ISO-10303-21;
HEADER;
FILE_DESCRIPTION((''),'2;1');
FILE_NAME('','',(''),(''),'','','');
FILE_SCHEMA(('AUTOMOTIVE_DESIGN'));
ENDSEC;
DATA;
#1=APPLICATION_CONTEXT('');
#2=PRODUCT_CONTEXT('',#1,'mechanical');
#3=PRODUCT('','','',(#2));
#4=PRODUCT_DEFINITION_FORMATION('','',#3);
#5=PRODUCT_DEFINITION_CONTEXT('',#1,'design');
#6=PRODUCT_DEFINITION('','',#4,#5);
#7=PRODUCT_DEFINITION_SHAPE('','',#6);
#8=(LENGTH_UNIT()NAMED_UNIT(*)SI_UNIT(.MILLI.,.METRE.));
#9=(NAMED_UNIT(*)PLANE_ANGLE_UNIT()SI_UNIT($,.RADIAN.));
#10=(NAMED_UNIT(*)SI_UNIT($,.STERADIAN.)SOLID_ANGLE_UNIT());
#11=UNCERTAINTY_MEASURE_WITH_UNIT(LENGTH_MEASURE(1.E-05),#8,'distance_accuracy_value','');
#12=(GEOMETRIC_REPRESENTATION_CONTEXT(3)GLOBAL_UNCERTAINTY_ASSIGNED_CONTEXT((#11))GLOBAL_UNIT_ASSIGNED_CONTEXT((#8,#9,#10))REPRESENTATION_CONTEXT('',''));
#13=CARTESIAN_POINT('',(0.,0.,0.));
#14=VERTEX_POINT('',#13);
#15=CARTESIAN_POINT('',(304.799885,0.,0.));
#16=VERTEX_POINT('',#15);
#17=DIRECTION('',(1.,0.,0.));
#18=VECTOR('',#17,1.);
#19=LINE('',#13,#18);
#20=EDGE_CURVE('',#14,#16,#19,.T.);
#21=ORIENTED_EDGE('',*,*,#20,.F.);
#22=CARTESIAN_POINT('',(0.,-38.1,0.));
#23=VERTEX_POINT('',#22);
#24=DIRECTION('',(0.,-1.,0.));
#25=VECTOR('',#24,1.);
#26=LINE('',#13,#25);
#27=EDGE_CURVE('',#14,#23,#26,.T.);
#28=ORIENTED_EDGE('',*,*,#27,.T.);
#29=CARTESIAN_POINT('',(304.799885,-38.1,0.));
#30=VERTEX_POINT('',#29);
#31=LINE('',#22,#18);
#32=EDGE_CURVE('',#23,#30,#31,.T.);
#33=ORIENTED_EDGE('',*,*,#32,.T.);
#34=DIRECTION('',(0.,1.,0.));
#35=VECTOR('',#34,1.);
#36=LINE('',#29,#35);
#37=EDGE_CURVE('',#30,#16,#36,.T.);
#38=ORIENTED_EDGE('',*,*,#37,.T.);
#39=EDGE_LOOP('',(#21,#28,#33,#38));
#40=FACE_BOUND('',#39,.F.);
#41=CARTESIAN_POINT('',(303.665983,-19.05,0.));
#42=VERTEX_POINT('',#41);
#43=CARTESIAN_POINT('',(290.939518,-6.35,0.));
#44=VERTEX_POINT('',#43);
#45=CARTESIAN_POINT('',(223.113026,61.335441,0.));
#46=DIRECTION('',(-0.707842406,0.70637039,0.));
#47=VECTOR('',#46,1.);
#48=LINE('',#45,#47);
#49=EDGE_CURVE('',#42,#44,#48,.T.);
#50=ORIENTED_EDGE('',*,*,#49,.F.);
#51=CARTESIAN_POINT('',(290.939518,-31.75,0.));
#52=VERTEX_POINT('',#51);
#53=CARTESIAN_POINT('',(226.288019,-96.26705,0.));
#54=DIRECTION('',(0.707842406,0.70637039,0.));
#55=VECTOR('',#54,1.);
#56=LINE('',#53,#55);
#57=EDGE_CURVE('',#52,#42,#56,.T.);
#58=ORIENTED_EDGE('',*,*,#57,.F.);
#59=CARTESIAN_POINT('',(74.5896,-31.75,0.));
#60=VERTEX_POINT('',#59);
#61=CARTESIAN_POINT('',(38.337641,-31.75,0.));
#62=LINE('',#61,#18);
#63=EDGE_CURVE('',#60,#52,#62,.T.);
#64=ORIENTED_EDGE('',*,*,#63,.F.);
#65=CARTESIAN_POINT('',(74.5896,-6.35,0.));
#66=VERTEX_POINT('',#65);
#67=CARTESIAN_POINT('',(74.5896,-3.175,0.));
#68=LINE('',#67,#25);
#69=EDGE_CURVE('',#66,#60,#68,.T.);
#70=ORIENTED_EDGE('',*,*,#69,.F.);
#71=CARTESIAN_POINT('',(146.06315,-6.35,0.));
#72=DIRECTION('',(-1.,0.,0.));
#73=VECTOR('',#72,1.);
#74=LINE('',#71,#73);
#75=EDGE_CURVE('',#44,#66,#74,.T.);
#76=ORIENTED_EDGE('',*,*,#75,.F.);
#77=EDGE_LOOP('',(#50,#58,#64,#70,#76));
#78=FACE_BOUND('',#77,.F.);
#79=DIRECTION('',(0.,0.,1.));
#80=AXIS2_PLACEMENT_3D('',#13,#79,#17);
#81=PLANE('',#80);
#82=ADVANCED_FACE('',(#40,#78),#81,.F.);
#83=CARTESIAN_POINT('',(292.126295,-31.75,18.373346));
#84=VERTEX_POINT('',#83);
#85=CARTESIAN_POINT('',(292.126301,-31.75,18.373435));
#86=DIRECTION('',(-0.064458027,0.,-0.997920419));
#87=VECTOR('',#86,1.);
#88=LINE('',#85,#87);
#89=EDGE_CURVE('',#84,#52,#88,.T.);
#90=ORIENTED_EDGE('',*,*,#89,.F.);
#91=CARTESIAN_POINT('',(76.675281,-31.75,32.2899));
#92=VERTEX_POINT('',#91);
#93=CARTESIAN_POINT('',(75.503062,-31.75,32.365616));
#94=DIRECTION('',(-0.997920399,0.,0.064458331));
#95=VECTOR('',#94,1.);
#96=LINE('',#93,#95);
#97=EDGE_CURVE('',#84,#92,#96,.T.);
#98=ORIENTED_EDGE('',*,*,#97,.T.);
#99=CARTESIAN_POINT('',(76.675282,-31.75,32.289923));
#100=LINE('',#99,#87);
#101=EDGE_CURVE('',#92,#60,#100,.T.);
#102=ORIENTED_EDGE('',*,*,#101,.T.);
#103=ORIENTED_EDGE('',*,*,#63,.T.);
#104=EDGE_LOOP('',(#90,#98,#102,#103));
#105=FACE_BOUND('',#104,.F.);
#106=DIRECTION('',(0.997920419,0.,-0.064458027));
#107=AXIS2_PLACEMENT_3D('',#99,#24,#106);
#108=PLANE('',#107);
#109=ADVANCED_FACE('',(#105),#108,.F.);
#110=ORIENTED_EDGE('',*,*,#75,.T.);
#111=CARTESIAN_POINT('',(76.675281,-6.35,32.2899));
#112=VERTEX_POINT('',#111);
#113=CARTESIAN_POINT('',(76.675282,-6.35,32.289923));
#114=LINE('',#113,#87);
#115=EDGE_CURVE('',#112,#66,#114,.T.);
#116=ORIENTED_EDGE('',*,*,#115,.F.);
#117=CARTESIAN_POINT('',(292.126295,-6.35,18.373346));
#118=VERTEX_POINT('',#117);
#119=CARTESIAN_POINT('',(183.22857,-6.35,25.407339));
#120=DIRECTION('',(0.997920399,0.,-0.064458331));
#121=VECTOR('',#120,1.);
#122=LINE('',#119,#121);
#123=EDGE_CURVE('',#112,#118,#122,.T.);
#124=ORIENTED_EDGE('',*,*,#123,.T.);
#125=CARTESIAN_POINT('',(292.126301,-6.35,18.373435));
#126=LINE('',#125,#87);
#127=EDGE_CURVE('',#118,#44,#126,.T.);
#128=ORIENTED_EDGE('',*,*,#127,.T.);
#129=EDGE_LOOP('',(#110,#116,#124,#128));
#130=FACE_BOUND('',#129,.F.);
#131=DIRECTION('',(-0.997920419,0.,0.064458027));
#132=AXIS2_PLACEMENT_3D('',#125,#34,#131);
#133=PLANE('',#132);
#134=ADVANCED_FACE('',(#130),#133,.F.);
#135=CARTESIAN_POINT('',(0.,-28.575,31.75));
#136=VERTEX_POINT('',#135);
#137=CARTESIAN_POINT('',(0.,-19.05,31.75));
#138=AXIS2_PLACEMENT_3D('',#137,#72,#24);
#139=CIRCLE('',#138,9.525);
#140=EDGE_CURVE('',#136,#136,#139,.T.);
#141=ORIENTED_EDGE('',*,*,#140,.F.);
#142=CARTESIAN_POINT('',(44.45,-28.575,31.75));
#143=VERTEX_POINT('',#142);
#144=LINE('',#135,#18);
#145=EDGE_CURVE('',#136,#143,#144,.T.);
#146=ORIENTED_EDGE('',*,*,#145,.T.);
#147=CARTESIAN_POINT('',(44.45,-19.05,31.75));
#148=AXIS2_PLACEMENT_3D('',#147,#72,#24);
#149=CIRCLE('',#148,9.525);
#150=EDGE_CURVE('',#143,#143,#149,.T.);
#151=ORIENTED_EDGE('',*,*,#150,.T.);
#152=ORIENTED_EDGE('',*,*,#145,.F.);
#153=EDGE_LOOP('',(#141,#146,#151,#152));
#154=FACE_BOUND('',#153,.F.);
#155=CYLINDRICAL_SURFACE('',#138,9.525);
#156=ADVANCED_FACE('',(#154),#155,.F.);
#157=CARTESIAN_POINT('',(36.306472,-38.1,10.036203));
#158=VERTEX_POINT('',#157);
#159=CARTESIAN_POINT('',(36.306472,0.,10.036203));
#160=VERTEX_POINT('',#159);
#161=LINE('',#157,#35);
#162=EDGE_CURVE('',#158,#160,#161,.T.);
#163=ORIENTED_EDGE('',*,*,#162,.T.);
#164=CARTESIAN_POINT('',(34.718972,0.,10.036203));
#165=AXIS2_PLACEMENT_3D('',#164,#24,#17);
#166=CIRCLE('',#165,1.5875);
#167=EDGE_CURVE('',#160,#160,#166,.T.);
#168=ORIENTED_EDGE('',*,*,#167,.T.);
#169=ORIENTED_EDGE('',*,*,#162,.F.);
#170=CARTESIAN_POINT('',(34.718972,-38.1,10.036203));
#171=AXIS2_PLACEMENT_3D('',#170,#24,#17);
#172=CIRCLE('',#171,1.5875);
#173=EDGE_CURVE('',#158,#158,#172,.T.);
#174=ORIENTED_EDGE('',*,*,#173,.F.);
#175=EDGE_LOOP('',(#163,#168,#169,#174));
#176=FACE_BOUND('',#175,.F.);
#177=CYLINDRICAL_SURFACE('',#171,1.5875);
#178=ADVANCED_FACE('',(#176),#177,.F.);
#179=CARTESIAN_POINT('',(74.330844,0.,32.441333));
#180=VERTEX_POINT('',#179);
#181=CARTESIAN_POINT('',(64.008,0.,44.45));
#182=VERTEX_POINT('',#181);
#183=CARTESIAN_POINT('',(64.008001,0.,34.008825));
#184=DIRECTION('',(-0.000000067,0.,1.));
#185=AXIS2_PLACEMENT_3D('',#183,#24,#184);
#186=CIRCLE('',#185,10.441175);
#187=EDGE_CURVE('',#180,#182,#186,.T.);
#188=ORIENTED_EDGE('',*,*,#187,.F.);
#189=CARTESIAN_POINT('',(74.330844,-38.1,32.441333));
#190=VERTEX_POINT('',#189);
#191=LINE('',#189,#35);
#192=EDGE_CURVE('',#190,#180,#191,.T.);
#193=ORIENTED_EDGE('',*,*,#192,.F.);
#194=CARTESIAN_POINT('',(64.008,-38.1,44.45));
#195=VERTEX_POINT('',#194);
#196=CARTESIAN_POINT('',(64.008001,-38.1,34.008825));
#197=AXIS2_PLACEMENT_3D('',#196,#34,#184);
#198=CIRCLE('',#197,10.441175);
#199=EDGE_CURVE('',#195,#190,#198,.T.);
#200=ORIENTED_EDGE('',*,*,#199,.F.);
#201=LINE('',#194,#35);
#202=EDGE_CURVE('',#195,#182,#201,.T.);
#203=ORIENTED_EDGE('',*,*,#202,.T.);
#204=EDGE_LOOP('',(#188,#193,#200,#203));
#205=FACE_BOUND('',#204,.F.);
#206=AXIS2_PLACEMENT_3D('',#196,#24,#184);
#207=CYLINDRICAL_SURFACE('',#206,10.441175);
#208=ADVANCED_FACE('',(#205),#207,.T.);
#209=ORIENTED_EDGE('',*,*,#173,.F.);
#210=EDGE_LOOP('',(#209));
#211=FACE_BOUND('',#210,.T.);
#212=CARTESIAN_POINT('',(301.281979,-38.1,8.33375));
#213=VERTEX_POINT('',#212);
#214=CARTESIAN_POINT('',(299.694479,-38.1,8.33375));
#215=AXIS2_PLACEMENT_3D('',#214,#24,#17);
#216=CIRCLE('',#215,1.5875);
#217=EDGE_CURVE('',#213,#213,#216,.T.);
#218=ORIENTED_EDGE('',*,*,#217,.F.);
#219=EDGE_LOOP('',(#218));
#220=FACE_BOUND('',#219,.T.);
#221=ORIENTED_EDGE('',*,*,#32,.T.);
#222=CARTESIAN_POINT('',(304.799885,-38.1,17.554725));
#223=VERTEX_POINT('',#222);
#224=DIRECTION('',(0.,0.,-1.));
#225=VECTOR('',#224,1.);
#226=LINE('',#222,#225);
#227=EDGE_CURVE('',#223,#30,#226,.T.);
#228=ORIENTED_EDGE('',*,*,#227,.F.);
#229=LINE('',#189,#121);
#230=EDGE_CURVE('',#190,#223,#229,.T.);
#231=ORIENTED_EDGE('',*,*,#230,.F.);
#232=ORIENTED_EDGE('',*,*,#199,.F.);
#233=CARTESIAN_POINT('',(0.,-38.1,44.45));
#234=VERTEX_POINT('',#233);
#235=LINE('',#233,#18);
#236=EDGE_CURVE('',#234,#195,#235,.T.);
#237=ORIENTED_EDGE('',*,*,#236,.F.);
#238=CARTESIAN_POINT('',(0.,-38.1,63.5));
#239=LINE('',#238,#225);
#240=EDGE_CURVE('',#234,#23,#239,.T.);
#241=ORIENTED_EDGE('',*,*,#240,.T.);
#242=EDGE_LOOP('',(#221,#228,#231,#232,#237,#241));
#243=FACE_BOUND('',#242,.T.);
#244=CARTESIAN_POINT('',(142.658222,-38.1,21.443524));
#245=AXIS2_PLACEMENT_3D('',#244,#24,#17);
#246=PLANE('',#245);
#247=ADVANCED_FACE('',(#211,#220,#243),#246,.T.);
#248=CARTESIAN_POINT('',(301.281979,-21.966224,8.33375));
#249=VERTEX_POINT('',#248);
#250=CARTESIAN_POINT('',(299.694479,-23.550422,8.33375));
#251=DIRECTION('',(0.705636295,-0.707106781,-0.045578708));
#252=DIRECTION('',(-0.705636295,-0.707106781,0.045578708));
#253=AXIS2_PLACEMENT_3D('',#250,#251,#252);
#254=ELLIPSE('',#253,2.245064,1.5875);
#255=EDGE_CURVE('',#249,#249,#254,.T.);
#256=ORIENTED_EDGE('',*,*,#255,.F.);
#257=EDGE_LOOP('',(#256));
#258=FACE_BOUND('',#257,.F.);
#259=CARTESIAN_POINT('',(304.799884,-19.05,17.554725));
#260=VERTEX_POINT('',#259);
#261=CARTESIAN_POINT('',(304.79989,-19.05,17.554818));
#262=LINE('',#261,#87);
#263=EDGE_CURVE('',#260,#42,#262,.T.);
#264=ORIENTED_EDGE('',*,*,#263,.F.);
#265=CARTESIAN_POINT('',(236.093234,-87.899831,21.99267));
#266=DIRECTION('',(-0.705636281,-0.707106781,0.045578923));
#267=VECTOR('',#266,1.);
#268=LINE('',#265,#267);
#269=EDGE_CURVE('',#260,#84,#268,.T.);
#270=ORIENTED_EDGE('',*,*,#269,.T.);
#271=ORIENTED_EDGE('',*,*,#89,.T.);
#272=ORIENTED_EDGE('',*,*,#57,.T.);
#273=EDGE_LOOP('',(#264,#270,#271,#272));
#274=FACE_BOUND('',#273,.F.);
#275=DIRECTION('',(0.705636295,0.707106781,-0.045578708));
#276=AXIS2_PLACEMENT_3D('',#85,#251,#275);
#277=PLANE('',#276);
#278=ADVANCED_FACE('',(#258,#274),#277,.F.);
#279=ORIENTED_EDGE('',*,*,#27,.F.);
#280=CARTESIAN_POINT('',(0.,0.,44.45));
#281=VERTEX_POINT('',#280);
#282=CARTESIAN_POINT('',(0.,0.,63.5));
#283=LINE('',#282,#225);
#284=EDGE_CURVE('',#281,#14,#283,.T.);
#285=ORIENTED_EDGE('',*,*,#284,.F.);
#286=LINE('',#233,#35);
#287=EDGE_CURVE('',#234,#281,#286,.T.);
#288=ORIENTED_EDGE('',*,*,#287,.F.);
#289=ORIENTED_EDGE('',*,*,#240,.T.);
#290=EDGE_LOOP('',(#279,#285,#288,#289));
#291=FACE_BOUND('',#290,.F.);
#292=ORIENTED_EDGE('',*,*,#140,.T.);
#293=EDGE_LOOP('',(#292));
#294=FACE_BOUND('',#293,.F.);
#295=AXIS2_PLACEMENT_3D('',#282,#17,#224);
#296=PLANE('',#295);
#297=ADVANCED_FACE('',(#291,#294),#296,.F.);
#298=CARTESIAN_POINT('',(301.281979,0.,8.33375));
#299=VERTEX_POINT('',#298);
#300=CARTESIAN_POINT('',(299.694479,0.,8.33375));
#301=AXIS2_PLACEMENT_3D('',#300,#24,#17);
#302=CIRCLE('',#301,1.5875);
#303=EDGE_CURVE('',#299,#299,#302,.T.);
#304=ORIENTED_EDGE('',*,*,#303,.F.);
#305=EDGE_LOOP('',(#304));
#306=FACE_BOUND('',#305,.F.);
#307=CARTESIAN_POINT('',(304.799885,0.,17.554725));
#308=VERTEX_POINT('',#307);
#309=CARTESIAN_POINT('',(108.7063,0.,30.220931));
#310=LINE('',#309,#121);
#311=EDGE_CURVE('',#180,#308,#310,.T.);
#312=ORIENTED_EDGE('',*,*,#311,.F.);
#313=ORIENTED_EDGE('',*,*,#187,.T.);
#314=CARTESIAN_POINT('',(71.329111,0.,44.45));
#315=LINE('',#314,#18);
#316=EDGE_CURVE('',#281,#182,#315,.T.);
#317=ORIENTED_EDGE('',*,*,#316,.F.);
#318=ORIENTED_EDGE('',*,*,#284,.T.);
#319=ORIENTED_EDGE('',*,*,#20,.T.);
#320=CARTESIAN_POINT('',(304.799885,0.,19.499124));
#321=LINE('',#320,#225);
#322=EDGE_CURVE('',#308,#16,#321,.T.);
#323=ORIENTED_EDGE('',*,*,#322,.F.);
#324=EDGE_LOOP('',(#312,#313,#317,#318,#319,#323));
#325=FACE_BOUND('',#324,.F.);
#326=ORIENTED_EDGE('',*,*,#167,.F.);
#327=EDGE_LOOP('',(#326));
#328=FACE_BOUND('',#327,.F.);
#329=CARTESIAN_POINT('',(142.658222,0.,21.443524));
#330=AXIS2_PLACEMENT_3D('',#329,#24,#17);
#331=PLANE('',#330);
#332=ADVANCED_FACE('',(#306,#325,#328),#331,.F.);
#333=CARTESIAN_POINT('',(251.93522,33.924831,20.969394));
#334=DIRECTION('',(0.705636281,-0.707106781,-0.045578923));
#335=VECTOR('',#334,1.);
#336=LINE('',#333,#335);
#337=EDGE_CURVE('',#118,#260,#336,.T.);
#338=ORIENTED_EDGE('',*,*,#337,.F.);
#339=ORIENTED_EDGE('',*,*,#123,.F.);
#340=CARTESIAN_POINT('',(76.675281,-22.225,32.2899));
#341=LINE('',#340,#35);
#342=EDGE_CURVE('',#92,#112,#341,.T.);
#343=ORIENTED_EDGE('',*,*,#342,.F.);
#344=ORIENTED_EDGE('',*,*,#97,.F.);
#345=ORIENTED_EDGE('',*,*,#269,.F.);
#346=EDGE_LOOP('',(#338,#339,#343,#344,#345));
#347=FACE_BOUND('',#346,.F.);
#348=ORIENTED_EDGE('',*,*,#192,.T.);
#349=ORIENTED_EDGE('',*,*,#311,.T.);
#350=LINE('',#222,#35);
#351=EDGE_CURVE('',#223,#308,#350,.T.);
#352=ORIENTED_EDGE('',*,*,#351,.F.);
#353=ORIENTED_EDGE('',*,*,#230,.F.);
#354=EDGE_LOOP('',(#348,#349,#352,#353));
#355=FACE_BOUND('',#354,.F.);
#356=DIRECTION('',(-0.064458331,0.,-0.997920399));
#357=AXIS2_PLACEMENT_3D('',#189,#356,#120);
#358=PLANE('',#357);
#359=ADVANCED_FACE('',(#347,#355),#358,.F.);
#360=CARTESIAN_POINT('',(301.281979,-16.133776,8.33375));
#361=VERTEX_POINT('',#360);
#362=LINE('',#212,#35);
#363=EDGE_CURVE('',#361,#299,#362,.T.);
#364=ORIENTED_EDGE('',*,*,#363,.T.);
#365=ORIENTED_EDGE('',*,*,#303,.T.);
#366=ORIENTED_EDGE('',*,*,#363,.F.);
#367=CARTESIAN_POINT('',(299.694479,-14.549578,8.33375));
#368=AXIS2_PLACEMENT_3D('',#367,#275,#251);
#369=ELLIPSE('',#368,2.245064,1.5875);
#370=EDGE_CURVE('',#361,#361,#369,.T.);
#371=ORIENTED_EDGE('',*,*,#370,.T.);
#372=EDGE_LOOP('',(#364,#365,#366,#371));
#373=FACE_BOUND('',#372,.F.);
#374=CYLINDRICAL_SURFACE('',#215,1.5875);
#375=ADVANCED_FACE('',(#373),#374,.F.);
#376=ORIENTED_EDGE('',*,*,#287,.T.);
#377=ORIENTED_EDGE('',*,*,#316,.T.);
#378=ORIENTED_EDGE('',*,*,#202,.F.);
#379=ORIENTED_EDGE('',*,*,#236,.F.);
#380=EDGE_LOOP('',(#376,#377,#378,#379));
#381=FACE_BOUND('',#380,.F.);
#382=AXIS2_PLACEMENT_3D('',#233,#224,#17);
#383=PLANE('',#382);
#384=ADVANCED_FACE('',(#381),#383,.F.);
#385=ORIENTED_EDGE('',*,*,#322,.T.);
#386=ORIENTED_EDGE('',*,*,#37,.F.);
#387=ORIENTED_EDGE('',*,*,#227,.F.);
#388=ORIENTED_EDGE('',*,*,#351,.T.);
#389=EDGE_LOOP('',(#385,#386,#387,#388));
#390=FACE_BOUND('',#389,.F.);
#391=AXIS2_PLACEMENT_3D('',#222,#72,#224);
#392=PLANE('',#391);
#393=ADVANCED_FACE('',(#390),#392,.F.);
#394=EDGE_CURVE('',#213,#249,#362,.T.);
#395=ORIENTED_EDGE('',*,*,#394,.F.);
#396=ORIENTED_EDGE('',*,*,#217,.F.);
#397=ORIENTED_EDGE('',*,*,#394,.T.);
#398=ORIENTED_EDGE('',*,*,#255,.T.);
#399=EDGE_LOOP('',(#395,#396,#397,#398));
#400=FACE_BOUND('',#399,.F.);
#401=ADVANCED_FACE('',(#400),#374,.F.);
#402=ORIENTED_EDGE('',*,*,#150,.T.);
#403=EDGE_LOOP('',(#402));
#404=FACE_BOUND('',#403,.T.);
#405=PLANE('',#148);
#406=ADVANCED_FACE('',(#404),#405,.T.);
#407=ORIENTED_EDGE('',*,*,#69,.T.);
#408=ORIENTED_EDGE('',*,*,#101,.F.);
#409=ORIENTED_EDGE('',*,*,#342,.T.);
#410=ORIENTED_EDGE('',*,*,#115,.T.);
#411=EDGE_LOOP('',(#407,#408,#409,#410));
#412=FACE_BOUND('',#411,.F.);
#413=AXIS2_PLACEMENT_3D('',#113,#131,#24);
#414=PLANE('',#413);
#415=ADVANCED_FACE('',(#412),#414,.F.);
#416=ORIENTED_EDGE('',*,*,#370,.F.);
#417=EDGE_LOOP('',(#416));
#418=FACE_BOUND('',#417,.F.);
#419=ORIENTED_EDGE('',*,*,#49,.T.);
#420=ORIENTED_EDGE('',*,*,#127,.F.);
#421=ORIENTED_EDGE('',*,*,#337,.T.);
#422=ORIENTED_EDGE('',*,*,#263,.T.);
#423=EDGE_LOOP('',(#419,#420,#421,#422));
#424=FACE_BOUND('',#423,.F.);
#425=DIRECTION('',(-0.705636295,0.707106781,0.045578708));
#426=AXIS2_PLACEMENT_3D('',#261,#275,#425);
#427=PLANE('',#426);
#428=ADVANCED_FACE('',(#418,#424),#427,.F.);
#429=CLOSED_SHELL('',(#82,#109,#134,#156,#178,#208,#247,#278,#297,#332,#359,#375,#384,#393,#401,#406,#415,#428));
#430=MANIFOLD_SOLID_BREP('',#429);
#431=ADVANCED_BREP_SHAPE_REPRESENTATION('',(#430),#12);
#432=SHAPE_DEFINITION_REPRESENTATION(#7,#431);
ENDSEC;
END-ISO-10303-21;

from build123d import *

# Parameters (mm, degrees)
F1_DEPTH  = 38.1
F2_R      = 9.525
F3_DEPTH  = 50.8
F5_R      = 9.525
F6_DEPTH  = 44.45
F8_DEPTH  = 46.482
F10_DEPTH = 38.1
F11_R     = 1.5875
F12_DEPTH = 57.15


with BuildPart() as f1:
    # F0 (on Front) → F1 (new body)
    with BuildSketch(Plane.XZ):
        Polygon((0, 63.5), (0, 0), (304.8, 0), (304.8, 19.05), align=None)
    extrude(amount=F1_DEPTH)

    # F2 (on face) → F3 (join)
    with BuildSketch(Plane(origin=(0, 0, 0), x_dir=(0, -1, 0), z_dir=(-1, 0, 0))):
        with Locations((19.05, 31.75)):
            Circle(F2_R)
    extrude(amount=-F3_DEPTH)

    # F5 (on face) → F6 (cut)
    with BuildSketch(Plane(origin=(0, 0, 0), x_dir=(0, -1, 0), z_dir=(-1, 0, 0))):
        with Locations((19.05, 31.75)):
            Circle(F5_R)
    extrude(amount=-F6_DEPTH, mode=Mode.SUBTRACT)

    # F7 (on face) → F8 (cut)
    with BuildSketch(Plane.XZ.offset(38.1)):
        with BuildLine():
            Line((0, 63.5), (0, 44.45))
            Line((0, 44.45), (64.008, 44.45))
            ThreePointArc((64.008, 44.45), (71.925847, 40.815134), (74.330844, 32.441333))
            Line((74.330844, 32.441333), (304.799885, 17.554725))
            Line((304.799885, 17.554725), (304.799885, 0))
            Line((304.799885, 0), (304.8, 0))
            Line((304.8, 0), (304.8, 19.05))
            Line((304.8, 19.05), (0, 63.5))
        make_face()
    extrude(amount=-F8_DEPTH, mode=Mode.SUBTRACT)

    # F9 (on face) → F10 (cut)
    with BuildSketch(Plane(origin=(2.395601, 0, 37.087822), x_dir=(0.99792, 0, -0.064458), z_dir=(0.064458, 0, 0.99792))):
        Polygon((303.034474, -19.05), (290.334474, -6.35), (74.434474, -6.35), (74.434474, -31.75), (290.334474, -31.75), align=None)
    extrude(amount=-F10_DEPTH, mode=Mode.SUBTRACT)

    # F11 (on face) → F12 (cut)
    with BuildSketch(Plane.XZ.offset(38.1)):
        with Locations((34.718972, 10.036203)):
            Circle(F11_R)
        with Locations((299.694479, 8.33375)):
            Circle(F11_R)
    extrude(amount=-F12_DEPTH, mode=Mode.SUBTRACT)


solid = f1.part
